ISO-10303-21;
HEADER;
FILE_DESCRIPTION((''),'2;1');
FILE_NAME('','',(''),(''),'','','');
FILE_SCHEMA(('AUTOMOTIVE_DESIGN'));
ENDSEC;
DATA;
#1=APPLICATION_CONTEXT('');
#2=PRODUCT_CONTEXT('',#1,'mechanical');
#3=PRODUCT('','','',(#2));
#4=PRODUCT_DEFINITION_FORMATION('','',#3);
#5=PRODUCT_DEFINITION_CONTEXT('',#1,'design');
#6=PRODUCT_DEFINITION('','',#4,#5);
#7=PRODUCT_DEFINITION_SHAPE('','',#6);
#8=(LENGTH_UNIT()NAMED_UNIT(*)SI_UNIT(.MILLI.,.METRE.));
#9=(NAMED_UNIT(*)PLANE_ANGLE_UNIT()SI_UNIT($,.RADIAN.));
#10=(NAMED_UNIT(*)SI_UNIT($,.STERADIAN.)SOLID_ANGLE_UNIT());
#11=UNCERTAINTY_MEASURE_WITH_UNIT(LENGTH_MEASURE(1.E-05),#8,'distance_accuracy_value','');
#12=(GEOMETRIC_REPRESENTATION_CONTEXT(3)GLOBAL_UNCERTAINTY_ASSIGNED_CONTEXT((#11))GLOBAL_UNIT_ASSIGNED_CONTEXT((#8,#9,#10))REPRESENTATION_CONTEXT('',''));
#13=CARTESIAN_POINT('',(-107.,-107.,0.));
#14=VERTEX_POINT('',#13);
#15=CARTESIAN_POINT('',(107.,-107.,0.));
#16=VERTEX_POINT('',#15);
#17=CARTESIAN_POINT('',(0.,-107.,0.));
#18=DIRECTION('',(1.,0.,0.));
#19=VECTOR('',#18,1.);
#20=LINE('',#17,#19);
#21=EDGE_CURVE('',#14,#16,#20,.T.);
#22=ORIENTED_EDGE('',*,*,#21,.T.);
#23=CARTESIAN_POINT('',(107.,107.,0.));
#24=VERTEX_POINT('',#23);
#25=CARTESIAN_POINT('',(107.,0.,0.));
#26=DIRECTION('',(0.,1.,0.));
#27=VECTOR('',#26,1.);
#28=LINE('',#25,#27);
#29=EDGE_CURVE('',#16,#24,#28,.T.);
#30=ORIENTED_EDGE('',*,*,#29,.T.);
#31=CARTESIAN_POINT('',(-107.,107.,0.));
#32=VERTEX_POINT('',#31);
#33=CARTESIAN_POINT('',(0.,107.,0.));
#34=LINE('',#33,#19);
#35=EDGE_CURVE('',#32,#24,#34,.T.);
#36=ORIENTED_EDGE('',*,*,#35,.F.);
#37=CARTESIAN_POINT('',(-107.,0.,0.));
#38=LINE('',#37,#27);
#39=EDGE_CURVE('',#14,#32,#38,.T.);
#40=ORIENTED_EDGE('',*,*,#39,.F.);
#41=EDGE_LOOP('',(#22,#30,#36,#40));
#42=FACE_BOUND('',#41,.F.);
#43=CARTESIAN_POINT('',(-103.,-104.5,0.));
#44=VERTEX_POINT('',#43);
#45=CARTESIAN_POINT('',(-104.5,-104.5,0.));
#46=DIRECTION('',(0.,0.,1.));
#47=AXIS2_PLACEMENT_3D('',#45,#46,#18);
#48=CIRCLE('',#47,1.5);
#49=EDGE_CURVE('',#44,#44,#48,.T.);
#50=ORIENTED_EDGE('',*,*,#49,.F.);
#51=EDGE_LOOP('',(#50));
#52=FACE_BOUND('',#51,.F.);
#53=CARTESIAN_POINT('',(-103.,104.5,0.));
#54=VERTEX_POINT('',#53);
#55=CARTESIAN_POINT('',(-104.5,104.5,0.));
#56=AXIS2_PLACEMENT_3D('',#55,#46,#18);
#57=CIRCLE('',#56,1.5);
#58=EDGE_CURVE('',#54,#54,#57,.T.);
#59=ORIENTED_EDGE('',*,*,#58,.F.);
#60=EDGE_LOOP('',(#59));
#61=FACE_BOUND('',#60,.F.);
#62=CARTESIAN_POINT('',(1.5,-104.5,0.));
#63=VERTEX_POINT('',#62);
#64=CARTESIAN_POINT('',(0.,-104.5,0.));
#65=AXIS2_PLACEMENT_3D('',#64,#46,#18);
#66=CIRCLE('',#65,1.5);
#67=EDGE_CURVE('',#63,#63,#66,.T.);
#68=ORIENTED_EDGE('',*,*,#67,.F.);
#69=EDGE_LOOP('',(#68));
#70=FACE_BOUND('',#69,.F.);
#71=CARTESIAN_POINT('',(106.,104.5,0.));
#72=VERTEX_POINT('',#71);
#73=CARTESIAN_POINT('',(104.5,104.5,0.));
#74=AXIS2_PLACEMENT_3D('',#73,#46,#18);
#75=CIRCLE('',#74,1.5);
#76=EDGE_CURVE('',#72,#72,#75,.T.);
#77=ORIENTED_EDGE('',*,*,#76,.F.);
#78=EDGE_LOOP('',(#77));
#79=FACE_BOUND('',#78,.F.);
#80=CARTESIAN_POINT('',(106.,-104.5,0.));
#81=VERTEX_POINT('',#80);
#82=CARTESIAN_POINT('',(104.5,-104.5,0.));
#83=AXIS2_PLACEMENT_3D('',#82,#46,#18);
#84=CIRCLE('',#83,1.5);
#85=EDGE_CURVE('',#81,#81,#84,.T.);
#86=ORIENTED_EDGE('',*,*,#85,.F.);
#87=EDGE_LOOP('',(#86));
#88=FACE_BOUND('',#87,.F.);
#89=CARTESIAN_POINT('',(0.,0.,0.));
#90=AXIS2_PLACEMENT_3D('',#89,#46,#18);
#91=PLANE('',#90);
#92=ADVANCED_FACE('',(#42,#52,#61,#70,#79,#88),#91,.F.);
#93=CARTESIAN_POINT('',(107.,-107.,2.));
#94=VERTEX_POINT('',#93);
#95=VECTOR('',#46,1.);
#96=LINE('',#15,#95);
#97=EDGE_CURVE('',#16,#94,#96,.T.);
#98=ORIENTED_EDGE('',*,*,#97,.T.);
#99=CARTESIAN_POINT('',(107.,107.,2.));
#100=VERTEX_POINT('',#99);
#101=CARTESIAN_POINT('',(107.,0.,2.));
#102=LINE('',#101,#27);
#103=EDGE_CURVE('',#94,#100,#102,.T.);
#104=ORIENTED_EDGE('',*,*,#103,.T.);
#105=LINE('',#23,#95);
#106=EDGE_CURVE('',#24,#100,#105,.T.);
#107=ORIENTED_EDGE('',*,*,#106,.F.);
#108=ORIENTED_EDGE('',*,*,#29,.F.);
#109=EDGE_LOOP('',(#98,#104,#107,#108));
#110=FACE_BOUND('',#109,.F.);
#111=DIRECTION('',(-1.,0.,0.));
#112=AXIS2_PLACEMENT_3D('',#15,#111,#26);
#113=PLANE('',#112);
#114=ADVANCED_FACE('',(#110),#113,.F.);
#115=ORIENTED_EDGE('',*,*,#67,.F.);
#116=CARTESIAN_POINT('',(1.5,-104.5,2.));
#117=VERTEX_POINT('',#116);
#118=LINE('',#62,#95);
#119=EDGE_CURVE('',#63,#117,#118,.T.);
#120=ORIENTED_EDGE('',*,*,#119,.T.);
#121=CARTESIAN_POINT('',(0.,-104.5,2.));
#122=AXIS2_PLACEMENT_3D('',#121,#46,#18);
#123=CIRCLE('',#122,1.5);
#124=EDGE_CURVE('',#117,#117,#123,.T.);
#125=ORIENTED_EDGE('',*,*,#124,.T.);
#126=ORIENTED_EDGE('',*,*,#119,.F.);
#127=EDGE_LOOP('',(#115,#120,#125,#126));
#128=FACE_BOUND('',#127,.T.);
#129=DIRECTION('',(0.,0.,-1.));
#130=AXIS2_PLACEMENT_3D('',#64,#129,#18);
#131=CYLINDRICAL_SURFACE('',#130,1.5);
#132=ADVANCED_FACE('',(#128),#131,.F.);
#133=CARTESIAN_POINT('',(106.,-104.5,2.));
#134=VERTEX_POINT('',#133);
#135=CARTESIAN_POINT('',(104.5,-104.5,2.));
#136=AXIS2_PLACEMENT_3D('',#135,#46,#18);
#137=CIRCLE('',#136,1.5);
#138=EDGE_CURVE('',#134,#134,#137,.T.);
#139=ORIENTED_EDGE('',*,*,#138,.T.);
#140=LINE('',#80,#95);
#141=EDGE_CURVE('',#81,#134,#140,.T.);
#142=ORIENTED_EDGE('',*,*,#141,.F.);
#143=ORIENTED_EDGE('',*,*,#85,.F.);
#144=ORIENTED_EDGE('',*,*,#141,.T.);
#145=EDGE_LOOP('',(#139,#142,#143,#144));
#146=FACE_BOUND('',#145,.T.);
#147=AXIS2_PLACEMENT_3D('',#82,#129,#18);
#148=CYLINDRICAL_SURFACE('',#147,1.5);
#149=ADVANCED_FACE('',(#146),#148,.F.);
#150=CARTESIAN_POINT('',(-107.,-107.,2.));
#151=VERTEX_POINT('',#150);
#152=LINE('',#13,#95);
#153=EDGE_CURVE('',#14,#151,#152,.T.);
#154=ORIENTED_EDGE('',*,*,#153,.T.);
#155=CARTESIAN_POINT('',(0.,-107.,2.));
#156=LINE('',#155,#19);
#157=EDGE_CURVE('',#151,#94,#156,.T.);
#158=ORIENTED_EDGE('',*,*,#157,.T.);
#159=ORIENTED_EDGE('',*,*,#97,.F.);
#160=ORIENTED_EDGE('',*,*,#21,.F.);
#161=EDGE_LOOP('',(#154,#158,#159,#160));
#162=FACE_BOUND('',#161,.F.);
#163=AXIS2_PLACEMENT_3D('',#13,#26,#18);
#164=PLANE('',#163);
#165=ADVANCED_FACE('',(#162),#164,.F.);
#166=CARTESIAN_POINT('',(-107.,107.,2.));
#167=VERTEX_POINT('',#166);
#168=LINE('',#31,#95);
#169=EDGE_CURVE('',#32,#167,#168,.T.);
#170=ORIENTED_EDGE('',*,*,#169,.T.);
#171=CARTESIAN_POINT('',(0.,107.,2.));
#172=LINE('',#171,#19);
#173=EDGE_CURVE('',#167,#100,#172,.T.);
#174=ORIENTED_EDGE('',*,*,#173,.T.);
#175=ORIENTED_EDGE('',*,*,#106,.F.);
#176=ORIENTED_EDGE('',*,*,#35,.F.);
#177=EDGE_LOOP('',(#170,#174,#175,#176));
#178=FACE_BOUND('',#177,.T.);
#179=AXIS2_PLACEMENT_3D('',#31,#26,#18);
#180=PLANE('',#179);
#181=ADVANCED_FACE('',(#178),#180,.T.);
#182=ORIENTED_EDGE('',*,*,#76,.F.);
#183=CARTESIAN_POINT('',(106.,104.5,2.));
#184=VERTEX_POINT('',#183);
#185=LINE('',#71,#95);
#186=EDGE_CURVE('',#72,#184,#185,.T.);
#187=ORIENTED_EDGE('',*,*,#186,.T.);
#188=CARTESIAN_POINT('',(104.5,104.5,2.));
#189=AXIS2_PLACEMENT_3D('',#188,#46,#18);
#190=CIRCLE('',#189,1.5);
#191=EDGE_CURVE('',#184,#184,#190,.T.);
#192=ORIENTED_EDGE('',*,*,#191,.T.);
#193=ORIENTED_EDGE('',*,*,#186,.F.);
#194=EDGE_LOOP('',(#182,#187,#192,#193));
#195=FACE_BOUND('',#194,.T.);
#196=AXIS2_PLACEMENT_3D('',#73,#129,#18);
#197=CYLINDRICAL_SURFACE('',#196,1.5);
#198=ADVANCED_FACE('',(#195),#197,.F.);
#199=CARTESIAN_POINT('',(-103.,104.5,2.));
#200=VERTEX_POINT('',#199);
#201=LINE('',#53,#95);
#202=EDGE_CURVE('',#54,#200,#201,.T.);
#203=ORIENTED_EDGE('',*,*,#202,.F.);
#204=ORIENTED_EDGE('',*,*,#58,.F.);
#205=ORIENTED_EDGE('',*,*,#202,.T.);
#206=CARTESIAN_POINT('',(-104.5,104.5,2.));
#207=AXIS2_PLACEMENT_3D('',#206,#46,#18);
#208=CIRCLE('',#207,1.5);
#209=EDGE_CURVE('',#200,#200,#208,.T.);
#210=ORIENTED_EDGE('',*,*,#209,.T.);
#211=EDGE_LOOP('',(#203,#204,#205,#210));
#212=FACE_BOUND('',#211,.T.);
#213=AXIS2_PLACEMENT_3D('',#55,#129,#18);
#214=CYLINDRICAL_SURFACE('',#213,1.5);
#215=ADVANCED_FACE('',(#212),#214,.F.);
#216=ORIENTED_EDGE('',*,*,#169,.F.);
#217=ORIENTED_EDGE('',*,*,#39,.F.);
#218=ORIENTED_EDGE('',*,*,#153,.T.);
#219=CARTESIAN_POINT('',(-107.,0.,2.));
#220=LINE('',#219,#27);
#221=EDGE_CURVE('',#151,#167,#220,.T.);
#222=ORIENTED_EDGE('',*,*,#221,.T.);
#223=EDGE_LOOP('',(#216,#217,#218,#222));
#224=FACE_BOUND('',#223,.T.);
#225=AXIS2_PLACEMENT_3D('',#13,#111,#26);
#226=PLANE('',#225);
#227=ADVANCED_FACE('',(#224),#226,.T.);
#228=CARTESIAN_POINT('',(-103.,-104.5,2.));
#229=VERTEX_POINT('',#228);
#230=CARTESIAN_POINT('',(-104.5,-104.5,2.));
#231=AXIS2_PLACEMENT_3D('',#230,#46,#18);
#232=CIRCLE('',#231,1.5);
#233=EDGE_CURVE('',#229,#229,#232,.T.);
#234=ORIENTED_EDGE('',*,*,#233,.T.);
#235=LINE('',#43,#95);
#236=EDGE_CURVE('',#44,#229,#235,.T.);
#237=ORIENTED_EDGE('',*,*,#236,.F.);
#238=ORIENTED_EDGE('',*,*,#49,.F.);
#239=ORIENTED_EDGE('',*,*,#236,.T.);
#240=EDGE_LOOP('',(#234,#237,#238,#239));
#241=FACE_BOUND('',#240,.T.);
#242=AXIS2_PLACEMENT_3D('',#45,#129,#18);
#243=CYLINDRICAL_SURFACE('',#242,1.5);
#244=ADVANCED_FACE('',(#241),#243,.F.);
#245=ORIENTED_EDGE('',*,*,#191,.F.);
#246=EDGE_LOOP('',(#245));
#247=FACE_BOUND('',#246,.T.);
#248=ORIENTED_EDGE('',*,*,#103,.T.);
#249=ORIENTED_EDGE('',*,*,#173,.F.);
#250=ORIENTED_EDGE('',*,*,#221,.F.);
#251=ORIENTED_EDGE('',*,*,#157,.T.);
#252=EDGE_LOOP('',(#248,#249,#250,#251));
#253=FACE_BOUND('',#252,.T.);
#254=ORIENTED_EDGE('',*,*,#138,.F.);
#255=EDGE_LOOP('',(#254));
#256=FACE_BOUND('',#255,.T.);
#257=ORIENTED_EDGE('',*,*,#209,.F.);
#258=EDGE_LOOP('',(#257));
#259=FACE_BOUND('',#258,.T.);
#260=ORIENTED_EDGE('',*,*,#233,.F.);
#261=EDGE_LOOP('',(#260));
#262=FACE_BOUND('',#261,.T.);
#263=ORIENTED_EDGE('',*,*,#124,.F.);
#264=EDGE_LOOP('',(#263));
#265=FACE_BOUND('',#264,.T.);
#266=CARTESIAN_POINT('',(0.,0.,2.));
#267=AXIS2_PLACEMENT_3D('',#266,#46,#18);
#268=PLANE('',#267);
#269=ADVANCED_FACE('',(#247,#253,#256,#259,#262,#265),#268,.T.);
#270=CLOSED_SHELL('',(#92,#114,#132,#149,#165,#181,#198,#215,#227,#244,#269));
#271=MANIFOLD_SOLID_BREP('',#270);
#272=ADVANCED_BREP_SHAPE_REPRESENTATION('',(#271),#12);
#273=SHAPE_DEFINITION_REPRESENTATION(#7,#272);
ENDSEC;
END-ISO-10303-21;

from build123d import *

# Parameters (mm, degrees)
F0_W     = 214
F0_H     = 214
F0_R     = 1.5
F1_DEPTH = 2


with BuildPart() as f1:
    # F0 (on Top) → F1 (new body)
    with BuildSketch(Plane.XY):
        Rectangle(F0_W, F0_H)
        with Locations((-104.5, -104.5)):
            Circle(F0_R, mode=Mode.SUBTRACT)
        with Locations((0, -104.5)):
            Circle(F0_R, mode=Mode.SUBTRACT)
        with Locations((104.5, -104.5)):
            Circle(F0_R, mode=Mode.SUBTRACT)
        with Locations((-104.5, 104.5)):
            Circle(F0_R, mode=Mode.SUBTRACT)
        with Locations((104.5, 104.5)):
            Circle(F0_R, mode=Mode.SUBTRACT)
    extrude(amount=F1_DEPTH)


solid = f1.part
